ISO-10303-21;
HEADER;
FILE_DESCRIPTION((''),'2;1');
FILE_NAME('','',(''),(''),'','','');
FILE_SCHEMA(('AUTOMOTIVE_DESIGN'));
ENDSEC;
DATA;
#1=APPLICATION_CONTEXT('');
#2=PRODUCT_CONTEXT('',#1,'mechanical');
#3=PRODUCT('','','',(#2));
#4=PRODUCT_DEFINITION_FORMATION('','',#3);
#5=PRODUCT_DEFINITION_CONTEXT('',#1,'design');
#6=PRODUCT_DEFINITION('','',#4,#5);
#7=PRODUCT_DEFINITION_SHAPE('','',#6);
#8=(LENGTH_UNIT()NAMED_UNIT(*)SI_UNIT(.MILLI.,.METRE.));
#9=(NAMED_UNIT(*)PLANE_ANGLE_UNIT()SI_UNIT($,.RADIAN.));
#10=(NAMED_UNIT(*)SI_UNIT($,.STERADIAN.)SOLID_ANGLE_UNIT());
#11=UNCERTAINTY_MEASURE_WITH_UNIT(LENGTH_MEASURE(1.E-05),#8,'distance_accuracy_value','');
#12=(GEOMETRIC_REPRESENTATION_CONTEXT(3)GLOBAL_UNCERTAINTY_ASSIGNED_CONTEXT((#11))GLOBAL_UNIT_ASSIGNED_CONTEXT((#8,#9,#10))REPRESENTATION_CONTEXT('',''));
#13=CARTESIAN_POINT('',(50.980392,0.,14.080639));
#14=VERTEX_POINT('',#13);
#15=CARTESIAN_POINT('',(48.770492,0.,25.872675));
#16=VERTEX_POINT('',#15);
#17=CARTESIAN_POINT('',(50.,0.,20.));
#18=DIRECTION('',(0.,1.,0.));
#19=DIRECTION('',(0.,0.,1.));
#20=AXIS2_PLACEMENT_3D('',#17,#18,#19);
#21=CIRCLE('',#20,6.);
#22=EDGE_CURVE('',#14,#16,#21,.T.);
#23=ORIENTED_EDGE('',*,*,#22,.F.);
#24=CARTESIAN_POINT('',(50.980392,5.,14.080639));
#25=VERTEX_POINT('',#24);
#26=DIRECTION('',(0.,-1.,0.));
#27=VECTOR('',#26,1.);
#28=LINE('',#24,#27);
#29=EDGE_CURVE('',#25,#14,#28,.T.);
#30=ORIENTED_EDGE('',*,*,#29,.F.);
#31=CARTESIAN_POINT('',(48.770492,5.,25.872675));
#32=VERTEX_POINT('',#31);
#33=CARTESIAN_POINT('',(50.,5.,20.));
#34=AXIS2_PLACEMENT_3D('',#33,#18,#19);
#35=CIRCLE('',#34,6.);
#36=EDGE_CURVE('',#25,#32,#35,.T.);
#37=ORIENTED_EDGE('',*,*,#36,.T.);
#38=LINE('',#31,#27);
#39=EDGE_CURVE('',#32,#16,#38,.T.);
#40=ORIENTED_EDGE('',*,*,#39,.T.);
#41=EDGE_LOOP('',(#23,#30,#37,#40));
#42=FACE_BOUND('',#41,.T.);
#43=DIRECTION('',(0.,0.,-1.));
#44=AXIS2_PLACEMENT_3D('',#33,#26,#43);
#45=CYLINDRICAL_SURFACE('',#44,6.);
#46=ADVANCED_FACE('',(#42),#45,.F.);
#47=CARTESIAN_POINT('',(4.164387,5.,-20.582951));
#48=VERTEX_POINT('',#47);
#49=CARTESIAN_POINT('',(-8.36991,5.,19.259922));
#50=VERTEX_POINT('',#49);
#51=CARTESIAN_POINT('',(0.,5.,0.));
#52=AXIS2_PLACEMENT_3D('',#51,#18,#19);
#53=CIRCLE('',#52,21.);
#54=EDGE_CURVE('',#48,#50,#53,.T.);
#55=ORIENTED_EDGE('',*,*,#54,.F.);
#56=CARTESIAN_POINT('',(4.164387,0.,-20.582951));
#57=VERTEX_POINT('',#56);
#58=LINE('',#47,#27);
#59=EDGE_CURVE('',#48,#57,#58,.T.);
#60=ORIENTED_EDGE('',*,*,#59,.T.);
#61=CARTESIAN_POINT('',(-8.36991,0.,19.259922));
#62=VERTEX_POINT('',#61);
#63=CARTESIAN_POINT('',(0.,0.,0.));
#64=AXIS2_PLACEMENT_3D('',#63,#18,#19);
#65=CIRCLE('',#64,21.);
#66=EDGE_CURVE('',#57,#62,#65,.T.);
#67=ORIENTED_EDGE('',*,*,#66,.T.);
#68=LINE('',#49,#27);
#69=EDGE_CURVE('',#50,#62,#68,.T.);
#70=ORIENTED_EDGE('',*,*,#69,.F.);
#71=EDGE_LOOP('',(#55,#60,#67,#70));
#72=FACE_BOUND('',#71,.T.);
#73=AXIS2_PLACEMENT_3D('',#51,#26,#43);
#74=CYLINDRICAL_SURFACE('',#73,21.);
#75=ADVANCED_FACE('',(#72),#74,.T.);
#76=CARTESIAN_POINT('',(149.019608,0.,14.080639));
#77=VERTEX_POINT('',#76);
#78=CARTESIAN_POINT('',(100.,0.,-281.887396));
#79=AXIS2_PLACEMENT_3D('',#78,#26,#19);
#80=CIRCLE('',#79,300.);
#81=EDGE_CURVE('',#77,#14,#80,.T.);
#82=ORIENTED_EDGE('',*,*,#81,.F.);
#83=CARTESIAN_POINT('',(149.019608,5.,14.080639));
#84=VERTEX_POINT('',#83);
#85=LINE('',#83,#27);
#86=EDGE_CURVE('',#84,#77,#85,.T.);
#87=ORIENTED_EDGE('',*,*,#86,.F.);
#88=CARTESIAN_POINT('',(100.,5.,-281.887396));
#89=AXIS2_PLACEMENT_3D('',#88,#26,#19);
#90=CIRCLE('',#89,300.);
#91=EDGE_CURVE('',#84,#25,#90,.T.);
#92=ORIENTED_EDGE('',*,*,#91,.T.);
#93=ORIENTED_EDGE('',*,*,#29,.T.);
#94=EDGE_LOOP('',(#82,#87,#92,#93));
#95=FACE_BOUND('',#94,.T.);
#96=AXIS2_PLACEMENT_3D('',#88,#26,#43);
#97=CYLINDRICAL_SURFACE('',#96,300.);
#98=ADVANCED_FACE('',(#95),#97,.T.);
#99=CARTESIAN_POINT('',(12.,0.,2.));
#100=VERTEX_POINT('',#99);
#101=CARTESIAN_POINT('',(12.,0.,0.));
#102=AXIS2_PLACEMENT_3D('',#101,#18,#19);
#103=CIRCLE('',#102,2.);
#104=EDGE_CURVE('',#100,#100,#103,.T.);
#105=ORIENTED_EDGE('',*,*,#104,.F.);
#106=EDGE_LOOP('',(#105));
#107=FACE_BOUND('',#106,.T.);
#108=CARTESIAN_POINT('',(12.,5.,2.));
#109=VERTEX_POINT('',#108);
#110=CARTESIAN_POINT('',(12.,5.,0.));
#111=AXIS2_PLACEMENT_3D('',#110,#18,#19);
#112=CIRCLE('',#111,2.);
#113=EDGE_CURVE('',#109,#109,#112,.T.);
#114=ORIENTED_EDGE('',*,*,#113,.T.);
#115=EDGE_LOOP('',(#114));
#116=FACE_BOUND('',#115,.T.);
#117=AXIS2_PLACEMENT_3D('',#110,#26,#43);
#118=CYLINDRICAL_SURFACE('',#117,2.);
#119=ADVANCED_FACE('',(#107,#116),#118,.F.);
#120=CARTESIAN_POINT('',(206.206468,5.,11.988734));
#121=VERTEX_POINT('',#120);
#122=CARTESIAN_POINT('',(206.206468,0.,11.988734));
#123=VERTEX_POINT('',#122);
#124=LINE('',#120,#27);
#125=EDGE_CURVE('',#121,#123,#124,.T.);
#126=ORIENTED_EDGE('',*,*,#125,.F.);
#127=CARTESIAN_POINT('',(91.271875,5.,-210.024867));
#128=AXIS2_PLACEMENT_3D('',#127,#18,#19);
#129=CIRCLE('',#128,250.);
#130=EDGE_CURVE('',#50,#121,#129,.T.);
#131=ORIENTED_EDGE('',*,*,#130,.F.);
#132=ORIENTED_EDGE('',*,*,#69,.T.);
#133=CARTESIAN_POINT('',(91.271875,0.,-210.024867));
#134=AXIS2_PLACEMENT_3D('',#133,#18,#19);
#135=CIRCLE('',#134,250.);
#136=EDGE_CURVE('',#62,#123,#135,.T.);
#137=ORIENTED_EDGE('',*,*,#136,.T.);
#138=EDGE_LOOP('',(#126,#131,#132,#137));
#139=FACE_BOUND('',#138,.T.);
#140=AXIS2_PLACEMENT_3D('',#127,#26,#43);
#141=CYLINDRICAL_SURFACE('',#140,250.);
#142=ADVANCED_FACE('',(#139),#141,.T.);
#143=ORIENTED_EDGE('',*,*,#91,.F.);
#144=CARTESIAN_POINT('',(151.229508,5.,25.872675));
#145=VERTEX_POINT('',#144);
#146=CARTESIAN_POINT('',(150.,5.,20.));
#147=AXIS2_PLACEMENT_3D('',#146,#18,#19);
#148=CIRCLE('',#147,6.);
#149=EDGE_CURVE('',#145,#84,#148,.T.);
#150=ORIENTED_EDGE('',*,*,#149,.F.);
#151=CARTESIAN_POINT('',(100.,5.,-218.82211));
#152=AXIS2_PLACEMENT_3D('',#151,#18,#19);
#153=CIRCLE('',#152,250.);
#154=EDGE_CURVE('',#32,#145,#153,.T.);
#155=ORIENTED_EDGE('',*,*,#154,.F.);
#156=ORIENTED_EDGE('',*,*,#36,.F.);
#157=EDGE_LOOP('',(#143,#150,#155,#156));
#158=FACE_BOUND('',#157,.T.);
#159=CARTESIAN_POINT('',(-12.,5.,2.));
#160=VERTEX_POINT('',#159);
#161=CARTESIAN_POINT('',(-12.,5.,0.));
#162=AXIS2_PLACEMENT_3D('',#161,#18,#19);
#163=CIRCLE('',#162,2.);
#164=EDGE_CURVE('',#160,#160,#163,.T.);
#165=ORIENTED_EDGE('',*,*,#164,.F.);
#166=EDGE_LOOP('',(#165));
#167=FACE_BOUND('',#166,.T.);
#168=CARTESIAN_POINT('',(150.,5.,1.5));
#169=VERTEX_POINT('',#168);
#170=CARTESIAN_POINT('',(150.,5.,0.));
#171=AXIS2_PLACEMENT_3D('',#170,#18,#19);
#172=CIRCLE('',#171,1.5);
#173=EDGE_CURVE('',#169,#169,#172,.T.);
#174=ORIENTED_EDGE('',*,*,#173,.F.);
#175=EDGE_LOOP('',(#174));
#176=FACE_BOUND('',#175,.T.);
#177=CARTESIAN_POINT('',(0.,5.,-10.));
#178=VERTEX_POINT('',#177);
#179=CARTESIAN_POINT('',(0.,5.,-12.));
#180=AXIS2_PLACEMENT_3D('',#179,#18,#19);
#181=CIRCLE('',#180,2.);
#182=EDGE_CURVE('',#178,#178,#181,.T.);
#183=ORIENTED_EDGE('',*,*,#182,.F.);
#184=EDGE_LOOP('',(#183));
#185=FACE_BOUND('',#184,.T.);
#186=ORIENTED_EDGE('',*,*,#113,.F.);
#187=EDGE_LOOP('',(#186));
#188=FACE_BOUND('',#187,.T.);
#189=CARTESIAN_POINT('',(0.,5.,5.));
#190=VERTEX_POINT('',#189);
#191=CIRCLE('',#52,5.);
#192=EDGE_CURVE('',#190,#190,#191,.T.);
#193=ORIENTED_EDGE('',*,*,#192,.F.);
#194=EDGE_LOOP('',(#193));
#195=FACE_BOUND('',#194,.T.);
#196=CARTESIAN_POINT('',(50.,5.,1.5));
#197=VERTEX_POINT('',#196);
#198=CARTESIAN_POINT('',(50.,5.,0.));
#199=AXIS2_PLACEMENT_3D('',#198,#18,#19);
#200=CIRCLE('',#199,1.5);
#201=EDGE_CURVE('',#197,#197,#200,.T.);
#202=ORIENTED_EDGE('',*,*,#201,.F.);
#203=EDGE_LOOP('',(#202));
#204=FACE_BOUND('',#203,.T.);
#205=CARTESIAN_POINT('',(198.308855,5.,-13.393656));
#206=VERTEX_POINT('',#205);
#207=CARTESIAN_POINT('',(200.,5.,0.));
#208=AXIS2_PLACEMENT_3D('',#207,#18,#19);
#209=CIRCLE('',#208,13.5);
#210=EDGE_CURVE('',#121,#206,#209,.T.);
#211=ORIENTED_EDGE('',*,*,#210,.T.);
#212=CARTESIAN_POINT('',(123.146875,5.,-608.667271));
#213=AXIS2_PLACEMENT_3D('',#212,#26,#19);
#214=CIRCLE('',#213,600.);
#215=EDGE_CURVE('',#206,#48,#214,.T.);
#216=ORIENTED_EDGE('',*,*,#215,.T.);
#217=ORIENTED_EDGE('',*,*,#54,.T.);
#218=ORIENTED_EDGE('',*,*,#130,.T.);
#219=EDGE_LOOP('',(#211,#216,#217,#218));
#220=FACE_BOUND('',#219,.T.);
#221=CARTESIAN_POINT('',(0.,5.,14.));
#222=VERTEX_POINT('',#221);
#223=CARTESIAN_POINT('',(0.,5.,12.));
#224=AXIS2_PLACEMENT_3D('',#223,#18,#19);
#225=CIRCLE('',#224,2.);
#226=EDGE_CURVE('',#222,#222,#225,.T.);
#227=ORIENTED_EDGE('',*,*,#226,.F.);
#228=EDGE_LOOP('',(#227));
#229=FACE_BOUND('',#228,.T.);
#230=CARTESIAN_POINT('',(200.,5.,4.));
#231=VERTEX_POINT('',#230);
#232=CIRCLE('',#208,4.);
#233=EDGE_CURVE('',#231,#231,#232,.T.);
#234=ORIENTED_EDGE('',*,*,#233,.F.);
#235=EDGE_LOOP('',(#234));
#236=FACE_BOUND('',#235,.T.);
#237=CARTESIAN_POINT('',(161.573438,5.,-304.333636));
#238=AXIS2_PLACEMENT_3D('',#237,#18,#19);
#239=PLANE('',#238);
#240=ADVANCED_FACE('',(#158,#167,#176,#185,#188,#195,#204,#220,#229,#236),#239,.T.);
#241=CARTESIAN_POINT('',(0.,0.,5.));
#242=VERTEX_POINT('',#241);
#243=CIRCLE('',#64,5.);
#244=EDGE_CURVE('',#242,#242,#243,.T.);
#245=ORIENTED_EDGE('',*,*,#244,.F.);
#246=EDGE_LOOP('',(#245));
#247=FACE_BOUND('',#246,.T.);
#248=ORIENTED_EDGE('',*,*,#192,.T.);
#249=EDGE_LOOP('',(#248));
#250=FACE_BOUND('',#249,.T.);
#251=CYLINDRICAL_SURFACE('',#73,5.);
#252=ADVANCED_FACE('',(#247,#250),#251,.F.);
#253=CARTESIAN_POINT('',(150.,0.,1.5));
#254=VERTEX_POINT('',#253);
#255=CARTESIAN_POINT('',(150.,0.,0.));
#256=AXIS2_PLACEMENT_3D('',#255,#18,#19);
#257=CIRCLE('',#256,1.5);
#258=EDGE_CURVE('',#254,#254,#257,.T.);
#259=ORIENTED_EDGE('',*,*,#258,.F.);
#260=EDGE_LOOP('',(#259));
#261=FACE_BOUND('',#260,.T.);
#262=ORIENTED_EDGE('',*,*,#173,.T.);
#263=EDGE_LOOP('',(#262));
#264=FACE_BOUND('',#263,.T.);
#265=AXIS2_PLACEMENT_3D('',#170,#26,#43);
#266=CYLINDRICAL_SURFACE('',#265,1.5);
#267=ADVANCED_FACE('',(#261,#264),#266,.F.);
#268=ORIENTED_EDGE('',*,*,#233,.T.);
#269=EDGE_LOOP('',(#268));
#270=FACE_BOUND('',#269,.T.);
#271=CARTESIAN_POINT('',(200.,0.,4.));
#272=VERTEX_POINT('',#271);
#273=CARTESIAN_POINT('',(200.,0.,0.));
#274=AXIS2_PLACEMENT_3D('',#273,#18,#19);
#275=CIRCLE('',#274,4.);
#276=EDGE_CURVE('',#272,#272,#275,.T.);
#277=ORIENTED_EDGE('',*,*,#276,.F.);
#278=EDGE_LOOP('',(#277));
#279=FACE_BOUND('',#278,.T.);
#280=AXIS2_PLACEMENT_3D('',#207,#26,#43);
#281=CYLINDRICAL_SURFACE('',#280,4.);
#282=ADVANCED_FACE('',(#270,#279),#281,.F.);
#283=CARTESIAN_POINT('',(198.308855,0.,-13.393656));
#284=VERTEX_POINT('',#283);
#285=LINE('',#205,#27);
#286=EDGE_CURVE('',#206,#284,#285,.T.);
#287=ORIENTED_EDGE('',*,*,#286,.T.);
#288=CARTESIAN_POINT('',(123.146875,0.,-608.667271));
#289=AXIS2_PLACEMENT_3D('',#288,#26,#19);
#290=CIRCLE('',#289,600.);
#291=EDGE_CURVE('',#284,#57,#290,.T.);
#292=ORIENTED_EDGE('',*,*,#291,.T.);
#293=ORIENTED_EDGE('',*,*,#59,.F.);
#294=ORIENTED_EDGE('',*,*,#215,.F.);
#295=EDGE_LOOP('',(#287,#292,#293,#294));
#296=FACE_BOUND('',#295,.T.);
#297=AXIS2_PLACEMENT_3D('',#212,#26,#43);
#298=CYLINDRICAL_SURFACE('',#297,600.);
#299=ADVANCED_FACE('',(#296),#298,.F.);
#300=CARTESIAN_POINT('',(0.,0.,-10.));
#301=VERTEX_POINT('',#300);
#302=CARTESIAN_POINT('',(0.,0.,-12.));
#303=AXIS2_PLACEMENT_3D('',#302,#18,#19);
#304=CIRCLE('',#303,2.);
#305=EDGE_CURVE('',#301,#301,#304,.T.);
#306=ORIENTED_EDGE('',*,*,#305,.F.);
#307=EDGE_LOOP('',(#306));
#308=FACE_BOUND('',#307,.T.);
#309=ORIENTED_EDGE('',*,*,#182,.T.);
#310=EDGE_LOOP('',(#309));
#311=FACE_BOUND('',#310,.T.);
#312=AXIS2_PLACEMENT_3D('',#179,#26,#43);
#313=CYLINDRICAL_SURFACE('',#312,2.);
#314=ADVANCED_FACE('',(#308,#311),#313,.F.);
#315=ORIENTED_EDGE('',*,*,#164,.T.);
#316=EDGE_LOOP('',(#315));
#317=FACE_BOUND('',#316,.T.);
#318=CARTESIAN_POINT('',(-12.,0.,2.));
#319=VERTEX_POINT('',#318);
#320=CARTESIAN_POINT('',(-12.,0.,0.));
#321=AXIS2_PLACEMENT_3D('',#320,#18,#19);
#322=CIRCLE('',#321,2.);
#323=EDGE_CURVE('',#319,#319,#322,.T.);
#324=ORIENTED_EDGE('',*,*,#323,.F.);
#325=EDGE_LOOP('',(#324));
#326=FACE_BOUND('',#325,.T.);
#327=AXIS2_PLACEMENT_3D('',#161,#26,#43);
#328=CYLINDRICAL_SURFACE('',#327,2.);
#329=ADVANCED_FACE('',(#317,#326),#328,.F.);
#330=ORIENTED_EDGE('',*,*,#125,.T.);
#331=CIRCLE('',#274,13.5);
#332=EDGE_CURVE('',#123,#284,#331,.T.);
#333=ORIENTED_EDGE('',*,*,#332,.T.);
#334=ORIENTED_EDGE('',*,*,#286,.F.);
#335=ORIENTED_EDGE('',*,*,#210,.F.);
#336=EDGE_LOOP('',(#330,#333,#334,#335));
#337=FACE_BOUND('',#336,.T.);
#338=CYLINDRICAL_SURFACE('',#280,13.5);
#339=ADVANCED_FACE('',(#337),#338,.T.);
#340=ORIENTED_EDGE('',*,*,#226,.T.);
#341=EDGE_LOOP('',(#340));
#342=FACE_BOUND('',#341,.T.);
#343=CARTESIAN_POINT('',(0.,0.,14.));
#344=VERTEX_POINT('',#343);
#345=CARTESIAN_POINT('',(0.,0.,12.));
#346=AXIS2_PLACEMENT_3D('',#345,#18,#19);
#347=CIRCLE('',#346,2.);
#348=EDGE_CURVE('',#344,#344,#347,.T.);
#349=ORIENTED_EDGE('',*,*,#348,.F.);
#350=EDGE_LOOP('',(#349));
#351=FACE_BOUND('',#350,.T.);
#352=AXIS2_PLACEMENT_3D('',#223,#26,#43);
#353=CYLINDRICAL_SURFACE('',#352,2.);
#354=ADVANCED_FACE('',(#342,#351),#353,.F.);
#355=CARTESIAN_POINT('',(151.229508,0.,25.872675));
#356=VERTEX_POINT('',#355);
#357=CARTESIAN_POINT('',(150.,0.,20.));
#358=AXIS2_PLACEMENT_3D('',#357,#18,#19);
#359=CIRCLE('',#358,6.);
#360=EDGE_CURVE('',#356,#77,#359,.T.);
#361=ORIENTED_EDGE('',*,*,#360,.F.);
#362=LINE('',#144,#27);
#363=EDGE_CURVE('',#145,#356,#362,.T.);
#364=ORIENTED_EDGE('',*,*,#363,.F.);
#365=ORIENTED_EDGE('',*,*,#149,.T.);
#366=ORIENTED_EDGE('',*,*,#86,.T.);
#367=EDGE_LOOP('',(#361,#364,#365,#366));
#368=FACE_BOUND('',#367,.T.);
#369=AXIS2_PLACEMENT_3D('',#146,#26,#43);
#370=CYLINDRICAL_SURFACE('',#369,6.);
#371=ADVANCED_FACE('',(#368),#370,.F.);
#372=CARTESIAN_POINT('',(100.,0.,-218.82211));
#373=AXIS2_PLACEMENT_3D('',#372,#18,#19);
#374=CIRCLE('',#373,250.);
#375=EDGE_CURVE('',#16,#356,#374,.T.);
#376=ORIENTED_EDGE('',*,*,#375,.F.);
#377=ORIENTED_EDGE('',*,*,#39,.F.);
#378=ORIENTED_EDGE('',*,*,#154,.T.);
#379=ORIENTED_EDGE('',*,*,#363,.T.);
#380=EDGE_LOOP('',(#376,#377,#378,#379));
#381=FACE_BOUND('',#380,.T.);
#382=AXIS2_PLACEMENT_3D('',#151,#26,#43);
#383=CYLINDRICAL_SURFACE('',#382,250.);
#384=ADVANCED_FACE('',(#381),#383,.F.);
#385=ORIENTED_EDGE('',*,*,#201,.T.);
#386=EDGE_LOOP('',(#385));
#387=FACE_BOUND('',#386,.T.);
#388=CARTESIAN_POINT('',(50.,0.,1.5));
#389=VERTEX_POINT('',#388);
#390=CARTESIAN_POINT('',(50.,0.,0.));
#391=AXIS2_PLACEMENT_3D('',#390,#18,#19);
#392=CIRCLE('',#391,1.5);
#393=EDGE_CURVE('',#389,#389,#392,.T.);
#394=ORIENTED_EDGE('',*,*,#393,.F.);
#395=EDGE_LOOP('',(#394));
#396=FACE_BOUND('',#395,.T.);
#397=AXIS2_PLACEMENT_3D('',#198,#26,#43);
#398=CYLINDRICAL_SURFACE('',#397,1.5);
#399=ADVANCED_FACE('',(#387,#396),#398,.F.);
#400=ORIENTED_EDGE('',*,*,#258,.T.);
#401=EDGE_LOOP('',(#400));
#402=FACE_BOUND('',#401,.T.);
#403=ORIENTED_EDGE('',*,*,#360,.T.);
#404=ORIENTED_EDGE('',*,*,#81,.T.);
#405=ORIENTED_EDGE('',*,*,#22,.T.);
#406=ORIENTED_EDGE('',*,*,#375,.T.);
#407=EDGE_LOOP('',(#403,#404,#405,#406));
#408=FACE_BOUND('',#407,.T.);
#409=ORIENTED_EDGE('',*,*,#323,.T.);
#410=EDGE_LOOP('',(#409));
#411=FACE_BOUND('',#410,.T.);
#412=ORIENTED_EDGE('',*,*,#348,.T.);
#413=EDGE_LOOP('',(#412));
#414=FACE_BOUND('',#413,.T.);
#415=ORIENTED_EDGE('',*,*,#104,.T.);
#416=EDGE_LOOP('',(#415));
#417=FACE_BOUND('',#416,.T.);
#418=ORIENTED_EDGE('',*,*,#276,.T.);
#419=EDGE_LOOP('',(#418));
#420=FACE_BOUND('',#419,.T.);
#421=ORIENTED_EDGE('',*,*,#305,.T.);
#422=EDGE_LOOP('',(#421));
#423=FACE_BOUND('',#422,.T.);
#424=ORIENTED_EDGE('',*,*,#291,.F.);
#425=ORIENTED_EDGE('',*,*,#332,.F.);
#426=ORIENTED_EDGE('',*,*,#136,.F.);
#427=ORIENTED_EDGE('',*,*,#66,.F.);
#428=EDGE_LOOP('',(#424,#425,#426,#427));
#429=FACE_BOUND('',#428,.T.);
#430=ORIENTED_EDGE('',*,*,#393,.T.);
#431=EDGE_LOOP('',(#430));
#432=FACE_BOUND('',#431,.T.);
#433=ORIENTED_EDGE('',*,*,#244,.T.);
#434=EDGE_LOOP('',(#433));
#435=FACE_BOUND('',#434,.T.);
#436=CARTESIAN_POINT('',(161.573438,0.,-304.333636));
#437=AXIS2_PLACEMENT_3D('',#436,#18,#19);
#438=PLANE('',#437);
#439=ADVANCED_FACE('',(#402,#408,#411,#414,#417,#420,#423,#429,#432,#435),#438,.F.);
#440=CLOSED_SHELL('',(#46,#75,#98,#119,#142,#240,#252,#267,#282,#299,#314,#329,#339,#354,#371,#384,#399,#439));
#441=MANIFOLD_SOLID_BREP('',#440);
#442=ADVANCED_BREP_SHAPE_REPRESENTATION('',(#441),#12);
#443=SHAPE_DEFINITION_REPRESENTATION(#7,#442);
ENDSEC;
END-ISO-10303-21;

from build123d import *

# Parameters (mm, degrees)
SKETCH1_R           = 5
SKETCH1_R_2         = 2
SKETCH1_R_3         = 4
SKETCH1_R_4         = 1.5
BOSS_EXTRUDE1_DEPTH = 5


with BuildPart() as part:
    # Sketch1 → Boss-Extrude1 (new body)
    with BuildSketch(Plane(origin=(0, 0, 0), x_dir=(1, 0, 0), z_dir=(0, 1, 0))):
        with BuildLine():
            ThreePointArc((4.164387077, 20.582951204), (-20.032105437, 6.301964119), (-8.369909934, -19.259922318))
            ThreePointArc((-8.369909934, -19.259922318), (99.738576714, -39.831721611), (206.206468023, -11.98873449))
            ThreePointArc((206.206468023, -11.98873449), (212.890441324, 4.010800728), (198.30885544, 13.393656337))
            ThreePointArc((198.30885544, 13.393656337), (100.943706101, 9.078229318), (4.164387077, 20.582951204))
        make_face()
        Circle(SKETCH1_R, mode=Mode.SUBTRACT)
        with Locations((0, 12)):
            Circle(SKETCH1_R_2, mode=Mode.SUBTRACT)
        with Locations((12, 0)):
            Circle(SKETCH1_R_2, mode=Mode.SUBTRACT)
        with Locations((0, -12)):
            Circle(SKETCH1_R_2, mode=Mode.SUBTRACT)
        with Locations((-12, 0)):
            Circle(SKETCH1_R_2, mode=Mode.SUBTRACT)
        with Locations((200, 0)):
            Circle(SKETCH1_R_3, mode=Mode.SUBTRACT)
        with Locations((50, 0)):
            Circle(SKETCH1_R_4, mode=Mode.SUBTRACT)
        with Locations((150, 0)):
            Circle(SKETCH1_R_4, mode=Mode.SUBTRACT)
        with BuildLine():
            ThreePointArc((151.229508397, -25.872674783), (155.897333295, -18.894803181), (149.019607843, -14.08063929))
            ThreePointArc((149.019607843, -14.08063929), (100, -18.112603774), (50.980392157, -14.08063929))
            ThreePointArc((50.980392157, -14.08063929), (44.102666705, -18.894803181), (48.770491603, -25.872674783))
            ThreePointArc((48.770491603, -25.872674783), (100, -31.177890471), (151.229508397, -25.872674783))
        make_face(mode=Mode.SUBTRACT)
    extrude(amount=BOSS_EXTRUDE1_DEPTH)


solid = part.part
